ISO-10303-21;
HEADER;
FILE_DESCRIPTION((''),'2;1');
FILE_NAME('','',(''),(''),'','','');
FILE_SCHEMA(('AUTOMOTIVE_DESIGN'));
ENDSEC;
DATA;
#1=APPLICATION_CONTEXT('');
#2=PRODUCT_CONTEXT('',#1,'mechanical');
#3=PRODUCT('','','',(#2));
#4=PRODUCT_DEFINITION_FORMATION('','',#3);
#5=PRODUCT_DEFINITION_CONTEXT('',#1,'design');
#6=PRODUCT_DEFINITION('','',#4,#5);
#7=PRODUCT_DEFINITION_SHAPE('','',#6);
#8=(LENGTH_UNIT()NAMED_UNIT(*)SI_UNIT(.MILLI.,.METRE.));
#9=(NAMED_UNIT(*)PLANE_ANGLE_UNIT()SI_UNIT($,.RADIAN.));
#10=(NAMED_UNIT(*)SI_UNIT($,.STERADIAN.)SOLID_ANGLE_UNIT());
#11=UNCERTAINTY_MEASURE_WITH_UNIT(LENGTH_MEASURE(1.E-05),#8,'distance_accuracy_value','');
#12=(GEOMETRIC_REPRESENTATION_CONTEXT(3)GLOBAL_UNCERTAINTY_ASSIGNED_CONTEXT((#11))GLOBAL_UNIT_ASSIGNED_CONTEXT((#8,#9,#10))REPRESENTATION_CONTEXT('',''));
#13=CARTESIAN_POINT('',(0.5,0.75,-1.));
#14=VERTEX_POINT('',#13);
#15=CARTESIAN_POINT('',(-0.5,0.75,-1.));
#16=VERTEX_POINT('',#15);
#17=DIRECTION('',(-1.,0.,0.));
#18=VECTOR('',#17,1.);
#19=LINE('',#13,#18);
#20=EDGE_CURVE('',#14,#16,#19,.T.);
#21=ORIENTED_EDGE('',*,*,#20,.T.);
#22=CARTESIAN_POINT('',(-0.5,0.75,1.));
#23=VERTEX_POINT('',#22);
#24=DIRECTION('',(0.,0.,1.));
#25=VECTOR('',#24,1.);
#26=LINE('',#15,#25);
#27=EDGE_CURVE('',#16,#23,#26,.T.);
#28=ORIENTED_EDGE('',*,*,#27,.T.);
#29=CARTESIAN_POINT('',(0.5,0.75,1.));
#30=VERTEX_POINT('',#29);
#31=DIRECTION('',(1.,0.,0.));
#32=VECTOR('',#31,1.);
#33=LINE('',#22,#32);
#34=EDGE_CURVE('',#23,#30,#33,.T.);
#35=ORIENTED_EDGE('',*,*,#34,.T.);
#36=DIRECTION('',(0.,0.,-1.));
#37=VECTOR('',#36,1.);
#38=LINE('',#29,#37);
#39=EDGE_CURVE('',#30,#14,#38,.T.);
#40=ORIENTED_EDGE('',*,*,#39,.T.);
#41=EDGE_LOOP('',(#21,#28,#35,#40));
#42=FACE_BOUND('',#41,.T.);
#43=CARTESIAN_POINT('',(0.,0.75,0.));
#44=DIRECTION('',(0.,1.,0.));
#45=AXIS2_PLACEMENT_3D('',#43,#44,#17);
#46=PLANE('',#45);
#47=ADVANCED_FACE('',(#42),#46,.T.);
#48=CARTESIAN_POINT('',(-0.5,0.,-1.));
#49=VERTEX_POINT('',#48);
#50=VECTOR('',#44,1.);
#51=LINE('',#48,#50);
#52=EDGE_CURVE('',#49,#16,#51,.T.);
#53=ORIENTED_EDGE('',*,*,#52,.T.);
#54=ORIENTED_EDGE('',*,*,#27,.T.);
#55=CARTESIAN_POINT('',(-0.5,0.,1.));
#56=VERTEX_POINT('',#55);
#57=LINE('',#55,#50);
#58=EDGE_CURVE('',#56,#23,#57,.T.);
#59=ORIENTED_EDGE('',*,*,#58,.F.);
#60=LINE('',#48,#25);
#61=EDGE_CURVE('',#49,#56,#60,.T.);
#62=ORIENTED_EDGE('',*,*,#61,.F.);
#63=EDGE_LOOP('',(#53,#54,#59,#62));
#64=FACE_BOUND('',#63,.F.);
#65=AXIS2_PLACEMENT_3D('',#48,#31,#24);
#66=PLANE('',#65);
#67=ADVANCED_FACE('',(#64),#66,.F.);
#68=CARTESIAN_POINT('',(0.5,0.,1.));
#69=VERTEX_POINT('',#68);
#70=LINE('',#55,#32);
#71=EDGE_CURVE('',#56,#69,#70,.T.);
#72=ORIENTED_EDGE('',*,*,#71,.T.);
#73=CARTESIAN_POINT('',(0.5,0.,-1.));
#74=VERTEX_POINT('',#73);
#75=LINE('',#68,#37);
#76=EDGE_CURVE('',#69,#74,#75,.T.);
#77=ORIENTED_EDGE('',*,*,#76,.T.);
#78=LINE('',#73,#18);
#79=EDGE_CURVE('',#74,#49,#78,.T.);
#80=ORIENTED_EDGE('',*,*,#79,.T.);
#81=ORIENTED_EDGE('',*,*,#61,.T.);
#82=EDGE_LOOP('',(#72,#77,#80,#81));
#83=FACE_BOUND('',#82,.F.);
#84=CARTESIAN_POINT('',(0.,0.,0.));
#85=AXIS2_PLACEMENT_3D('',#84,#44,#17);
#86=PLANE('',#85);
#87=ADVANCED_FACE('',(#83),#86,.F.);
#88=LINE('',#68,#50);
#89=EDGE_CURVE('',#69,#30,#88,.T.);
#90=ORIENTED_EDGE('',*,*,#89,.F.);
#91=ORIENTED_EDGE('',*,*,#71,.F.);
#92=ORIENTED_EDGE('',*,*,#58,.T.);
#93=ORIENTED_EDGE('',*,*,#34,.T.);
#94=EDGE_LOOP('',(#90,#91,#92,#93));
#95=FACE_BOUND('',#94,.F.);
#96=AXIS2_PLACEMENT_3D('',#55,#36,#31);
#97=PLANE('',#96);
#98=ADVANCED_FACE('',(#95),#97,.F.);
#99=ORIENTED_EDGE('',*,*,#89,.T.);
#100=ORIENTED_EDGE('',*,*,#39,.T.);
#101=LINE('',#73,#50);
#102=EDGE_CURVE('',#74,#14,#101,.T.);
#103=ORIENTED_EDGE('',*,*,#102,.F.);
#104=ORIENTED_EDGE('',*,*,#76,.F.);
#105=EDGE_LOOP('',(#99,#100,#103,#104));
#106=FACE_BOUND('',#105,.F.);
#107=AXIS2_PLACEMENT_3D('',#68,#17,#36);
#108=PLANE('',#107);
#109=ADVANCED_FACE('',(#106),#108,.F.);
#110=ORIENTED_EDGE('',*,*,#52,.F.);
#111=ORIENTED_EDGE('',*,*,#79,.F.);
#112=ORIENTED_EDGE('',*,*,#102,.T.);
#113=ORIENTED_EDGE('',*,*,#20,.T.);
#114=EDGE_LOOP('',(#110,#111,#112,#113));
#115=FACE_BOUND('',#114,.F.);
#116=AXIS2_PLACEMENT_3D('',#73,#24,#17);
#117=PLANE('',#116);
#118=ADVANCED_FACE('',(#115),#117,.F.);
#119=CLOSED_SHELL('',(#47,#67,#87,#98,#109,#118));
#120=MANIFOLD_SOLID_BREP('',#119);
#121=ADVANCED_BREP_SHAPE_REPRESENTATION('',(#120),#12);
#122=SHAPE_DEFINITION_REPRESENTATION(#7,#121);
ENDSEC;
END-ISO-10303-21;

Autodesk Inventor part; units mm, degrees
ref_plane "YZ Plane" through (0, 0, 0) normal (1, 0, 0) x (0, 1, 0)
ref_plane "XZ Plane" through (0, 0, 0) normal (0, 1, 0) x (-1, 0, 0)
ref_plane "XY Plane" through (0, 0, 0) normal (0, 0, 1) x (1, 0, 0)
sketch "Sketch1" plane through (0, 0, 0) normal (0, 1, 0) x (-1, 0, 0)
  line L0 (0.5, 1) -> (-0.5, 1)
  line L1 (-0.5, 1) -> (-0.5, -1)
  line L2 (-0.5, -1) -> (0.5, -1)
  line L3 (0.5, -1) -> (0.5, 1)
  point P0 (0, 0)
  dimension "d0" = 1
  dimension "d1" = 2
  dimension "d2" = 0.5
  dimension "d3" = 1
extrude "Extrusion1" add sketch "Sketch1" along normal blind 0.75
equation "\"d2\" = 0.5 * d0"
equation "\"d3\" = 0.5 * d1"
properties part number "Solder points" material "Lead"
